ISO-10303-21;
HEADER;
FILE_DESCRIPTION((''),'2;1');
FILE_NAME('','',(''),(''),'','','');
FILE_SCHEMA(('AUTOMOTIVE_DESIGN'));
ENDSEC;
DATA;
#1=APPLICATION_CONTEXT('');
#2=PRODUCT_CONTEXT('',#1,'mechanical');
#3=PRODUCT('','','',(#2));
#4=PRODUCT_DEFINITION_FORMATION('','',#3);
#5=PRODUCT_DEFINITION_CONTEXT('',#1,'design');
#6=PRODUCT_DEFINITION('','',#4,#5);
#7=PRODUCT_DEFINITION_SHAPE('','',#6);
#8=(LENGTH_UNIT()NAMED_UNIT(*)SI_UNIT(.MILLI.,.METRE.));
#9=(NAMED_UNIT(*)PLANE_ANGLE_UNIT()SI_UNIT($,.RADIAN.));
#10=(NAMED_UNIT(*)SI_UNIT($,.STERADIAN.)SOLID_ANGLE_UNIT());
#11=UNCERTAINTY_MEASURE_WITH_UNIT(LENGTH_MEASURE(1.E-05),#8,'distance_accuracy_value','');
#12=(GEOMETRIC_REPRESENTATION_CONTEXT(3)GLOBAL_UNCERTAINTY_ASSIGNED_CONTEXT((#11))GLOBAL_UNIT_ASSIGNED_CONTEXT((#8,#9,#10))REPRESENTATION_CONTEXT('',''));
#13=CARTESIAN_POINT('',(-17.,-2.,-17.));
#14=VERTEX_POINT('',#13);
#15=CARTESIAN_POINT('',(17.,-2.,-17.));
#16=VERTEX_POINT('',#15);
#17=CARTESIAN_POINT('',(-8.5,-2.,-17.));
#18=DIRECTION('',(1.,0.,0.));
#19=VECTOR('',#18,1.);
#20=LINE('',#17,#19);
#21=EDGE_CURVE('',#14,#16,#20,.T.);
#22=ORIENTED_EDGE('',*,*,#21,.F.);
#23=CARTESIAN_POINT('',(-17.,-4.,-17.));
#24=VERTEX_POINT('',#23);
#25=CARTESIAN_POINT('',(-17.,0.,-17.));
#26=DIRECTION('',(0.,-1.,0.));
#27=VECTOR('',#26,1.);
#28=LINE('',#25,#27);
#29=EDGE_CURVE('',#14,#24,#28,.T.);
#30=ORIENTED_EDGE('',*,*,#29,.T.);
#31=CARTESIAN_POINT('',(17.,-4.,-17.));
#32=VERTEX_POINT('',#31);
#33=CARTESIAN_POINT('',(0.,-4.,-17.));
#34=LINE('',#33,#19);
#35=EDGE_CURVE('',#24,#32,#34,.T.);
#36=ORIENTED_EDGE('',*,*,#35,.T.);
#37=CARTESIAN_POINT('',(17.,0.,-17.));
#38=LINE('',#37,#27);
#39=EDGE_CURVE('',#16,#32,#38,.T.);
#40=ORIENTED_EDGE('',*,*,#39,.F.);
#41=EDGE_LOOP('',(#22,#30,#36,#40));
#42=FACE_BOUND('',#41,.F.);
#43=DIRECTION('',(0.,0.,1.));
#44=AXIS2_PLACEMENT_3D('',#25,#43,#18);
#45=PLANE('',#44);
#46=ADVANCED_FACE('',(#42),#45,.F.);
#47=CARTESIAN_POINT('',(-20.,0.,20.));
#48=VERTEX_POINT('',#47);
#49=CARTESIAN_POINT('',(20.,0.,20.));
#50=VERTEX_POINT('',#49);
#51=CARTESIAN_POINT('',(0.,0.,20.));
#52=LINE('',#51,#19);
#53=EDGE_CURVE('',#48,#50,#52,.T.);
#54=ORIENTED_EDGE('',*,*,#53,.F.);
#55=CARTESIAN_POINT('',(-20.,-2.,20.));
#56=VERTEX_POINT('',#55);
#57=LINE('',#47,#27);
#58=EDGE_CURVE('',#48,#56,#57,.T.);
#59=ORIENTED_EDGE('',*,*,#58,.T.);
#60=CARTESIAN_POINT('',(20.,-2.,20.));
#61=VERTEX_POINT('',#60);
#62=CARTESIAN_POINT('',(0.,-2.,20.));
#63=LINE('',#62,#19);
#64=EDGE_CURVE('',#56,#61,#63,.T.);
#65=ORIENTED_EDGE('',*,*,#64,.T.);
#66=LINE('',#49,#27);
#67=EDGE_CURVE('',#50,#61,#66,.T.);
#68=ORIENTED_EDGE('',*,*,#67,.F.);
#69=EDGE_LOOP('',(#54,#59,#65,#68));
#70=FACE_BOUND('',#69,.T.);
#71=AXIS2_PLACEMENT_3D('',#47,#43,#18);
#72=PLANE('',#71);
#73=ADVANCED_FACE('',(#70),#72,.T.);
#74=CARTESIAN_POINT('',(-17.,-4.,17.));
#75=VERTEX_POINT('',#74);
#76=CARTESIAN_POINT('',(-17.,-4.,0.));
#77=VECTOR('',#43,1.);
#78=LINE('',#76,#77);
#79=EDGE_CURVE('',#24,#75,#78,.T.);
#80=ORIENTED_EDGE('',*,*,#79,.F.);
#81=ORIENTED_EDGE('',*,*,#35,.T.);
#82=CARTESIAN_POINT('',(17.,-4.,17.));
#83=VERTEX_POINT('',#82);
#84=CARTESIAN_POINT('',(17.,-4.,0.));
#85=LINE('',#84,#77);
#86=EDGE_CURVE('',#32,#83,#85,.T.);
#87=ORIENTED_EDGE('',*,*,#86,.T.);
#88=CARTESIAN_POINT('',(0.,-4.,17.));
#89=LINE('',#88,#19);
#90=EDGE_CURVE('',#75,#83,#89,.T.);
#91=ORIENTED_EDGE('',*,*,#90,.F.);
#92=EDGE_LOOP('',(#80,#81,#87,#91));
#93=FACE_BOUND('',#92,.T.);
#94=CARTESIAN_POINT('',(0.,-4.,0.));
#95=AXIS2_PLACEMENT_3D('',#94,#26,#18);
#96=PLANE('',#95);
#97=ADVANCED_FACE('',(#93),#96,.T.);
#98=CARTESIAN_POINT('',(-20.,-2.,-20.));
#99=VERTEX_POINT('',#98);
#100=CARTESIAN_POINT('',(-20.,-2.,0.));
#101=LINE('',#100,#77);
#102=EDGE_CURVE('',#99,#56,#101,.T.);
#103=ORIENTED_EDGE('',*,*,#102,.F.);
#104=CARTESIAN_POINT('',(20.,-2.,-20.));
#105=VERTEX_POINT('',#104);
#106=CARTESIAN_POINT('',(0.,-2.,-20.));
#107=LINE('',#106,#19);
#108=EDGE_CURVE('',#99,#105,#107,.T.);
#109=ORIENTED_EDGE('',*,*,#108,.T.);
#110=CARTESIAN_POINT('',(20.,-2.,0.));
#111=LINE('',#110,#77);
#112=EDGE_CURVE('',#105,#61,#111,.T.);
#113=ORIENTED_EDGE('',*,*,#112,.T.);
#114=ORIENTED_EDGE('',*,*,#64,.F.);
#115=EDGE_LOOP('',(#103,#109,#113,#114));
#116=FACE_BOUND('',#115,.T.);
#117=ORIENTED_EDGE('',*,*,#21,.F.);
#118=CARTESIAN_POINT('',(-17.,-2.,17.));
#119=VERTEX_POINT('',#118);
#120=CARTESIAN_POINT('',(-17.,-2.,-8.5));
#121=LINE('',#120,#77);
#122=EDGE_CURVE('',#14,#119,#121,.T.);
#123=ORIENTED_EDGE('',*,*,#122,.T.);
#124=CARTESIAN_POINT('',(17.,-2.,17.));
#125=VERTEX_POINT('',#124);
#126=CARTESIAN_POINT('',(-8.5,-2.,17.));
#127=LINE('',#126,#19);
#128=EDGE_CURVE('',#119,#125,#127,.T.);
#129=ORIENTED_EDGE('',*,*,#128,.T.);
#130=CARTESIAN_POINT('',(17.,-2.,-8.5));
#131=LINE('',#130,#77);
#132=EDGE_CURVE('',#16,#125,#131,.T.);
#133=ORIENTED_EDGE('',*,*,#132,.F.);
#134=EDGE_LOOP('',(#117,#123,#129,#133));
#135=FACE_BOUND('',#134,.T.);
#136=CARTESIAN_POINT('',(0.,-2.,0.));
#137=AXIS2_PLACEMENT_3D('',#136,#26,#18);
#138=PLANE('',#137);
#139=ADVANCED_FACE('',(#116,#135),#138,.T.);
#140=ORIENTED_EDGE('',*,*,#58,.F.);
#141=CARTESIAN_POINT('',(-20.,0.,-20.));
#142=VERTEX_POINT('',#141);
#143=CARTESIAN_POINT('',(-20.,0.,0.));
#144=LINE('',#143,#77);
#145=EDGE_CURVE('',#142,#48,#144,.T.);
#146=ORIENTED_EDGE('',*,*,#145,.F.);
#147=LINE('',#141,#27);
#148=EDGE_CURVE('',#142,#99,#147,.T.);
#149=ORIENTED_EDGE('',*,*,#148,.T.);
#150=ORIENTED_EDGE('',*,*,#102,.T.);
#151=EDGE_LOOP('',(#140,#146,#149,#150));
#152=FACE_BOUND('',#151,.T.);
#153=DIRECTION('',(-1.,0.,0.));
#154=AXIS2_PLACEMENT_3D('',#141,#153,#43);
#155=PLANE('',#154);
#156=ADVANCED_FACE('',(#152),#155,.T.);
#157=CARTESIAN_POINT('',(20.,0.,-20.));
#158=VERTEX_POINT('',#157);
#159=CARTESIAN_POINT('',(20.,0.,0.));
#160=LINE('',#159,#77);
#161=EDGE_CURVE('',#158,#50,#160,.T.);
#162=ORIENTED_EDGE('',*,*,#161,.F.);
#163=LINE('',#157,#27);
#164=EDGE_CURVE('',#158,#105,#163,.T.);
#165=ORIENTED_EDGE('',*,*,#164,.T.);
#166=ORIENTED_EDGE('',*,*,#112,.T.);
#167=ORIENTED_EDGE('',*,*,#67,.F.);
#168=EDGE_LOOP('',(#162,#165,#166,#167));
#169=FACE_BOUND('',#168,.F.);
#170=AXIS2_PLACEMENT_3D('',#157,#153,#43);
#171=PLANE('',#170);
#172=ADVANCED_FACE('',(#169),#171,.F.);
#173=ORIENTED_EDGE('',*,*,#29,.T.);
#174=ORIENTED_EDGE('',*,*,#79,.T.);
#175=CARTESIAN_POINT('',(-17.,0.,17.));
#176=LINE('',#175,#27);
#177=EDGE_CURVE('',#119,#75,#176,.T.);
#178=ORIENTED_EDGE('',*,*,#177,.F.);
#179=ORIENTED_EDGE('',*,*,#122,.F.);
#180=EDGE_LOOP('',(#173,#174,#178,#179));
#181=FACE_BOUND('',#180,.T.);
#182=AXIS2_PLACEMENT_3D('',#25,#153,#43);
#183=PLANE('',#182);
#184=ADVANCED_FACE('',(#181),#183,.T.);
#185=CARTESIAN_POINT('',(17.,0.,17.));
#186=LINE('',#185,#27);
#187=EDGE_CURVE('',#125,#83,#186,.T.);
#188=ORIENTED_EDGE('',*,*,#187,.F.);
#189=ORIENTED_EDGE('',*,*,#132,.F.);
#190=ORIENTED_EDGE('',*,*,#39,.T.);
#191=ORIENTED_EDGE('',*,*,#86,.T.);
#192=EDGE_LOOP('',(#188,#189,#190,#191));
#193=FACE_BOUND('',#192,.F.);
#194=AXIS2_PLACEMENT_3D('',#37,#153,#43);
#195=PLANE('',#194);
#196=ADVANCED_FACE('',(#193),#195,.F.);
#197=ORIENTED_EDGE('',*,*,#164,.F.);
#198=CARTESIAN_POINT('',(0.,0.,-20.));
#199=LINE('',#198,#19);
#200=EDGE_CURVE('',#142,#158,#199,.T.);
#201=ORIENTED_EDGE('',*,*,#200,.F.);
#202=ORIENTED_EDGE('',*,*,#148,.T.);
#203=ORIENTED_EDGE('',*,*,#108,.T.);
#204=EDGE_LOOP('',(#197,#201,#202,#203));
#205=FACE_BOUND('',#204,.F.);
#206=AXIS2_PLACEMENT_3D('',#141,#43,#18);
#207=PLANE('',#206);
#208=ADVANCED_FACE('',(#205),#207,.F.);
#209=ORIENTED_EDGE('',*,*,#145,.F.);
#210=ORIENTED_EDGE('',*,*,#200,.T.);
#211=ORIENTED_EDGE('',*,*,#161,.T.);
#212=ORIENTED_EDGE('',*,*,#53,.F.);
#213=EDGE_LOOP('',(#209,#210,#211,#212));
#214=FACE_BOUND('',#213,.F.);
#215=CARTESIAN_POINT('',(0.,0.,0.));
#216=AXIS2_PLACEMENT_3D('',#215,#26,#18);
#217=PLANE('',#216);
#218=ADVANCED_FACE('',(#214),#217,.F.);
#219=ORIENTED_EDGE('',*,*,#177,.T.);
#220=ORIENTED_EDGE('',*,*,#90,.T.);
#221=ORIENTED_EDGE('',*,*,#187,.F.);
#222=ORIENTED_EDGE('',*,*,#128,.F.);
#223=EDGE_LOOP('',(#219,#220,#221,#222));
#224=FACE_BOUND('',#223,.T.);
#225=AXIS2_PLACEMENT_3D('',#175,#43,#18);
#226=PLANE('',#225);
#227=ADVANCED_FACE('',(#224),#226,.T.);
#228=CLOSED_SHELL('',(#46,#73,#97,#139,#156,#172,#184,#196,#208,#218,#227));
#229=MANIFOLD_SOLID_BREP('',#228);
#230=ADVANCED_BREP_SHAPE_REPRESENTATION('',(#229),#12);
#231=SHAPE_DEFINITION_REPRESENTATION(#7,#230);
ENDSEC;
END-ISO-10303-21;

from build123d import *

# Parameters (mm, degrees)
F0_W     = 34
F0_H     = 34
F1_DEPTH = 4
F2_W     = 40
F2_H     = 40
F3_DEPTH = 2


with BuildPart() as f1:
    # F0 (on Front) → F1 (new body)
    with BuildSketch(Plane.XZ):
        Rectangle(F0_W, F0_H)
    extrude(amount=F1_DEPTH)

    # F2 (on Front) → F3 (join)
    with BuildSketch(Plane.XZ):
        Rectangle(F2_W, F2_H)
    extrude(amount=F3_DEPTH)


solid = f1.part
